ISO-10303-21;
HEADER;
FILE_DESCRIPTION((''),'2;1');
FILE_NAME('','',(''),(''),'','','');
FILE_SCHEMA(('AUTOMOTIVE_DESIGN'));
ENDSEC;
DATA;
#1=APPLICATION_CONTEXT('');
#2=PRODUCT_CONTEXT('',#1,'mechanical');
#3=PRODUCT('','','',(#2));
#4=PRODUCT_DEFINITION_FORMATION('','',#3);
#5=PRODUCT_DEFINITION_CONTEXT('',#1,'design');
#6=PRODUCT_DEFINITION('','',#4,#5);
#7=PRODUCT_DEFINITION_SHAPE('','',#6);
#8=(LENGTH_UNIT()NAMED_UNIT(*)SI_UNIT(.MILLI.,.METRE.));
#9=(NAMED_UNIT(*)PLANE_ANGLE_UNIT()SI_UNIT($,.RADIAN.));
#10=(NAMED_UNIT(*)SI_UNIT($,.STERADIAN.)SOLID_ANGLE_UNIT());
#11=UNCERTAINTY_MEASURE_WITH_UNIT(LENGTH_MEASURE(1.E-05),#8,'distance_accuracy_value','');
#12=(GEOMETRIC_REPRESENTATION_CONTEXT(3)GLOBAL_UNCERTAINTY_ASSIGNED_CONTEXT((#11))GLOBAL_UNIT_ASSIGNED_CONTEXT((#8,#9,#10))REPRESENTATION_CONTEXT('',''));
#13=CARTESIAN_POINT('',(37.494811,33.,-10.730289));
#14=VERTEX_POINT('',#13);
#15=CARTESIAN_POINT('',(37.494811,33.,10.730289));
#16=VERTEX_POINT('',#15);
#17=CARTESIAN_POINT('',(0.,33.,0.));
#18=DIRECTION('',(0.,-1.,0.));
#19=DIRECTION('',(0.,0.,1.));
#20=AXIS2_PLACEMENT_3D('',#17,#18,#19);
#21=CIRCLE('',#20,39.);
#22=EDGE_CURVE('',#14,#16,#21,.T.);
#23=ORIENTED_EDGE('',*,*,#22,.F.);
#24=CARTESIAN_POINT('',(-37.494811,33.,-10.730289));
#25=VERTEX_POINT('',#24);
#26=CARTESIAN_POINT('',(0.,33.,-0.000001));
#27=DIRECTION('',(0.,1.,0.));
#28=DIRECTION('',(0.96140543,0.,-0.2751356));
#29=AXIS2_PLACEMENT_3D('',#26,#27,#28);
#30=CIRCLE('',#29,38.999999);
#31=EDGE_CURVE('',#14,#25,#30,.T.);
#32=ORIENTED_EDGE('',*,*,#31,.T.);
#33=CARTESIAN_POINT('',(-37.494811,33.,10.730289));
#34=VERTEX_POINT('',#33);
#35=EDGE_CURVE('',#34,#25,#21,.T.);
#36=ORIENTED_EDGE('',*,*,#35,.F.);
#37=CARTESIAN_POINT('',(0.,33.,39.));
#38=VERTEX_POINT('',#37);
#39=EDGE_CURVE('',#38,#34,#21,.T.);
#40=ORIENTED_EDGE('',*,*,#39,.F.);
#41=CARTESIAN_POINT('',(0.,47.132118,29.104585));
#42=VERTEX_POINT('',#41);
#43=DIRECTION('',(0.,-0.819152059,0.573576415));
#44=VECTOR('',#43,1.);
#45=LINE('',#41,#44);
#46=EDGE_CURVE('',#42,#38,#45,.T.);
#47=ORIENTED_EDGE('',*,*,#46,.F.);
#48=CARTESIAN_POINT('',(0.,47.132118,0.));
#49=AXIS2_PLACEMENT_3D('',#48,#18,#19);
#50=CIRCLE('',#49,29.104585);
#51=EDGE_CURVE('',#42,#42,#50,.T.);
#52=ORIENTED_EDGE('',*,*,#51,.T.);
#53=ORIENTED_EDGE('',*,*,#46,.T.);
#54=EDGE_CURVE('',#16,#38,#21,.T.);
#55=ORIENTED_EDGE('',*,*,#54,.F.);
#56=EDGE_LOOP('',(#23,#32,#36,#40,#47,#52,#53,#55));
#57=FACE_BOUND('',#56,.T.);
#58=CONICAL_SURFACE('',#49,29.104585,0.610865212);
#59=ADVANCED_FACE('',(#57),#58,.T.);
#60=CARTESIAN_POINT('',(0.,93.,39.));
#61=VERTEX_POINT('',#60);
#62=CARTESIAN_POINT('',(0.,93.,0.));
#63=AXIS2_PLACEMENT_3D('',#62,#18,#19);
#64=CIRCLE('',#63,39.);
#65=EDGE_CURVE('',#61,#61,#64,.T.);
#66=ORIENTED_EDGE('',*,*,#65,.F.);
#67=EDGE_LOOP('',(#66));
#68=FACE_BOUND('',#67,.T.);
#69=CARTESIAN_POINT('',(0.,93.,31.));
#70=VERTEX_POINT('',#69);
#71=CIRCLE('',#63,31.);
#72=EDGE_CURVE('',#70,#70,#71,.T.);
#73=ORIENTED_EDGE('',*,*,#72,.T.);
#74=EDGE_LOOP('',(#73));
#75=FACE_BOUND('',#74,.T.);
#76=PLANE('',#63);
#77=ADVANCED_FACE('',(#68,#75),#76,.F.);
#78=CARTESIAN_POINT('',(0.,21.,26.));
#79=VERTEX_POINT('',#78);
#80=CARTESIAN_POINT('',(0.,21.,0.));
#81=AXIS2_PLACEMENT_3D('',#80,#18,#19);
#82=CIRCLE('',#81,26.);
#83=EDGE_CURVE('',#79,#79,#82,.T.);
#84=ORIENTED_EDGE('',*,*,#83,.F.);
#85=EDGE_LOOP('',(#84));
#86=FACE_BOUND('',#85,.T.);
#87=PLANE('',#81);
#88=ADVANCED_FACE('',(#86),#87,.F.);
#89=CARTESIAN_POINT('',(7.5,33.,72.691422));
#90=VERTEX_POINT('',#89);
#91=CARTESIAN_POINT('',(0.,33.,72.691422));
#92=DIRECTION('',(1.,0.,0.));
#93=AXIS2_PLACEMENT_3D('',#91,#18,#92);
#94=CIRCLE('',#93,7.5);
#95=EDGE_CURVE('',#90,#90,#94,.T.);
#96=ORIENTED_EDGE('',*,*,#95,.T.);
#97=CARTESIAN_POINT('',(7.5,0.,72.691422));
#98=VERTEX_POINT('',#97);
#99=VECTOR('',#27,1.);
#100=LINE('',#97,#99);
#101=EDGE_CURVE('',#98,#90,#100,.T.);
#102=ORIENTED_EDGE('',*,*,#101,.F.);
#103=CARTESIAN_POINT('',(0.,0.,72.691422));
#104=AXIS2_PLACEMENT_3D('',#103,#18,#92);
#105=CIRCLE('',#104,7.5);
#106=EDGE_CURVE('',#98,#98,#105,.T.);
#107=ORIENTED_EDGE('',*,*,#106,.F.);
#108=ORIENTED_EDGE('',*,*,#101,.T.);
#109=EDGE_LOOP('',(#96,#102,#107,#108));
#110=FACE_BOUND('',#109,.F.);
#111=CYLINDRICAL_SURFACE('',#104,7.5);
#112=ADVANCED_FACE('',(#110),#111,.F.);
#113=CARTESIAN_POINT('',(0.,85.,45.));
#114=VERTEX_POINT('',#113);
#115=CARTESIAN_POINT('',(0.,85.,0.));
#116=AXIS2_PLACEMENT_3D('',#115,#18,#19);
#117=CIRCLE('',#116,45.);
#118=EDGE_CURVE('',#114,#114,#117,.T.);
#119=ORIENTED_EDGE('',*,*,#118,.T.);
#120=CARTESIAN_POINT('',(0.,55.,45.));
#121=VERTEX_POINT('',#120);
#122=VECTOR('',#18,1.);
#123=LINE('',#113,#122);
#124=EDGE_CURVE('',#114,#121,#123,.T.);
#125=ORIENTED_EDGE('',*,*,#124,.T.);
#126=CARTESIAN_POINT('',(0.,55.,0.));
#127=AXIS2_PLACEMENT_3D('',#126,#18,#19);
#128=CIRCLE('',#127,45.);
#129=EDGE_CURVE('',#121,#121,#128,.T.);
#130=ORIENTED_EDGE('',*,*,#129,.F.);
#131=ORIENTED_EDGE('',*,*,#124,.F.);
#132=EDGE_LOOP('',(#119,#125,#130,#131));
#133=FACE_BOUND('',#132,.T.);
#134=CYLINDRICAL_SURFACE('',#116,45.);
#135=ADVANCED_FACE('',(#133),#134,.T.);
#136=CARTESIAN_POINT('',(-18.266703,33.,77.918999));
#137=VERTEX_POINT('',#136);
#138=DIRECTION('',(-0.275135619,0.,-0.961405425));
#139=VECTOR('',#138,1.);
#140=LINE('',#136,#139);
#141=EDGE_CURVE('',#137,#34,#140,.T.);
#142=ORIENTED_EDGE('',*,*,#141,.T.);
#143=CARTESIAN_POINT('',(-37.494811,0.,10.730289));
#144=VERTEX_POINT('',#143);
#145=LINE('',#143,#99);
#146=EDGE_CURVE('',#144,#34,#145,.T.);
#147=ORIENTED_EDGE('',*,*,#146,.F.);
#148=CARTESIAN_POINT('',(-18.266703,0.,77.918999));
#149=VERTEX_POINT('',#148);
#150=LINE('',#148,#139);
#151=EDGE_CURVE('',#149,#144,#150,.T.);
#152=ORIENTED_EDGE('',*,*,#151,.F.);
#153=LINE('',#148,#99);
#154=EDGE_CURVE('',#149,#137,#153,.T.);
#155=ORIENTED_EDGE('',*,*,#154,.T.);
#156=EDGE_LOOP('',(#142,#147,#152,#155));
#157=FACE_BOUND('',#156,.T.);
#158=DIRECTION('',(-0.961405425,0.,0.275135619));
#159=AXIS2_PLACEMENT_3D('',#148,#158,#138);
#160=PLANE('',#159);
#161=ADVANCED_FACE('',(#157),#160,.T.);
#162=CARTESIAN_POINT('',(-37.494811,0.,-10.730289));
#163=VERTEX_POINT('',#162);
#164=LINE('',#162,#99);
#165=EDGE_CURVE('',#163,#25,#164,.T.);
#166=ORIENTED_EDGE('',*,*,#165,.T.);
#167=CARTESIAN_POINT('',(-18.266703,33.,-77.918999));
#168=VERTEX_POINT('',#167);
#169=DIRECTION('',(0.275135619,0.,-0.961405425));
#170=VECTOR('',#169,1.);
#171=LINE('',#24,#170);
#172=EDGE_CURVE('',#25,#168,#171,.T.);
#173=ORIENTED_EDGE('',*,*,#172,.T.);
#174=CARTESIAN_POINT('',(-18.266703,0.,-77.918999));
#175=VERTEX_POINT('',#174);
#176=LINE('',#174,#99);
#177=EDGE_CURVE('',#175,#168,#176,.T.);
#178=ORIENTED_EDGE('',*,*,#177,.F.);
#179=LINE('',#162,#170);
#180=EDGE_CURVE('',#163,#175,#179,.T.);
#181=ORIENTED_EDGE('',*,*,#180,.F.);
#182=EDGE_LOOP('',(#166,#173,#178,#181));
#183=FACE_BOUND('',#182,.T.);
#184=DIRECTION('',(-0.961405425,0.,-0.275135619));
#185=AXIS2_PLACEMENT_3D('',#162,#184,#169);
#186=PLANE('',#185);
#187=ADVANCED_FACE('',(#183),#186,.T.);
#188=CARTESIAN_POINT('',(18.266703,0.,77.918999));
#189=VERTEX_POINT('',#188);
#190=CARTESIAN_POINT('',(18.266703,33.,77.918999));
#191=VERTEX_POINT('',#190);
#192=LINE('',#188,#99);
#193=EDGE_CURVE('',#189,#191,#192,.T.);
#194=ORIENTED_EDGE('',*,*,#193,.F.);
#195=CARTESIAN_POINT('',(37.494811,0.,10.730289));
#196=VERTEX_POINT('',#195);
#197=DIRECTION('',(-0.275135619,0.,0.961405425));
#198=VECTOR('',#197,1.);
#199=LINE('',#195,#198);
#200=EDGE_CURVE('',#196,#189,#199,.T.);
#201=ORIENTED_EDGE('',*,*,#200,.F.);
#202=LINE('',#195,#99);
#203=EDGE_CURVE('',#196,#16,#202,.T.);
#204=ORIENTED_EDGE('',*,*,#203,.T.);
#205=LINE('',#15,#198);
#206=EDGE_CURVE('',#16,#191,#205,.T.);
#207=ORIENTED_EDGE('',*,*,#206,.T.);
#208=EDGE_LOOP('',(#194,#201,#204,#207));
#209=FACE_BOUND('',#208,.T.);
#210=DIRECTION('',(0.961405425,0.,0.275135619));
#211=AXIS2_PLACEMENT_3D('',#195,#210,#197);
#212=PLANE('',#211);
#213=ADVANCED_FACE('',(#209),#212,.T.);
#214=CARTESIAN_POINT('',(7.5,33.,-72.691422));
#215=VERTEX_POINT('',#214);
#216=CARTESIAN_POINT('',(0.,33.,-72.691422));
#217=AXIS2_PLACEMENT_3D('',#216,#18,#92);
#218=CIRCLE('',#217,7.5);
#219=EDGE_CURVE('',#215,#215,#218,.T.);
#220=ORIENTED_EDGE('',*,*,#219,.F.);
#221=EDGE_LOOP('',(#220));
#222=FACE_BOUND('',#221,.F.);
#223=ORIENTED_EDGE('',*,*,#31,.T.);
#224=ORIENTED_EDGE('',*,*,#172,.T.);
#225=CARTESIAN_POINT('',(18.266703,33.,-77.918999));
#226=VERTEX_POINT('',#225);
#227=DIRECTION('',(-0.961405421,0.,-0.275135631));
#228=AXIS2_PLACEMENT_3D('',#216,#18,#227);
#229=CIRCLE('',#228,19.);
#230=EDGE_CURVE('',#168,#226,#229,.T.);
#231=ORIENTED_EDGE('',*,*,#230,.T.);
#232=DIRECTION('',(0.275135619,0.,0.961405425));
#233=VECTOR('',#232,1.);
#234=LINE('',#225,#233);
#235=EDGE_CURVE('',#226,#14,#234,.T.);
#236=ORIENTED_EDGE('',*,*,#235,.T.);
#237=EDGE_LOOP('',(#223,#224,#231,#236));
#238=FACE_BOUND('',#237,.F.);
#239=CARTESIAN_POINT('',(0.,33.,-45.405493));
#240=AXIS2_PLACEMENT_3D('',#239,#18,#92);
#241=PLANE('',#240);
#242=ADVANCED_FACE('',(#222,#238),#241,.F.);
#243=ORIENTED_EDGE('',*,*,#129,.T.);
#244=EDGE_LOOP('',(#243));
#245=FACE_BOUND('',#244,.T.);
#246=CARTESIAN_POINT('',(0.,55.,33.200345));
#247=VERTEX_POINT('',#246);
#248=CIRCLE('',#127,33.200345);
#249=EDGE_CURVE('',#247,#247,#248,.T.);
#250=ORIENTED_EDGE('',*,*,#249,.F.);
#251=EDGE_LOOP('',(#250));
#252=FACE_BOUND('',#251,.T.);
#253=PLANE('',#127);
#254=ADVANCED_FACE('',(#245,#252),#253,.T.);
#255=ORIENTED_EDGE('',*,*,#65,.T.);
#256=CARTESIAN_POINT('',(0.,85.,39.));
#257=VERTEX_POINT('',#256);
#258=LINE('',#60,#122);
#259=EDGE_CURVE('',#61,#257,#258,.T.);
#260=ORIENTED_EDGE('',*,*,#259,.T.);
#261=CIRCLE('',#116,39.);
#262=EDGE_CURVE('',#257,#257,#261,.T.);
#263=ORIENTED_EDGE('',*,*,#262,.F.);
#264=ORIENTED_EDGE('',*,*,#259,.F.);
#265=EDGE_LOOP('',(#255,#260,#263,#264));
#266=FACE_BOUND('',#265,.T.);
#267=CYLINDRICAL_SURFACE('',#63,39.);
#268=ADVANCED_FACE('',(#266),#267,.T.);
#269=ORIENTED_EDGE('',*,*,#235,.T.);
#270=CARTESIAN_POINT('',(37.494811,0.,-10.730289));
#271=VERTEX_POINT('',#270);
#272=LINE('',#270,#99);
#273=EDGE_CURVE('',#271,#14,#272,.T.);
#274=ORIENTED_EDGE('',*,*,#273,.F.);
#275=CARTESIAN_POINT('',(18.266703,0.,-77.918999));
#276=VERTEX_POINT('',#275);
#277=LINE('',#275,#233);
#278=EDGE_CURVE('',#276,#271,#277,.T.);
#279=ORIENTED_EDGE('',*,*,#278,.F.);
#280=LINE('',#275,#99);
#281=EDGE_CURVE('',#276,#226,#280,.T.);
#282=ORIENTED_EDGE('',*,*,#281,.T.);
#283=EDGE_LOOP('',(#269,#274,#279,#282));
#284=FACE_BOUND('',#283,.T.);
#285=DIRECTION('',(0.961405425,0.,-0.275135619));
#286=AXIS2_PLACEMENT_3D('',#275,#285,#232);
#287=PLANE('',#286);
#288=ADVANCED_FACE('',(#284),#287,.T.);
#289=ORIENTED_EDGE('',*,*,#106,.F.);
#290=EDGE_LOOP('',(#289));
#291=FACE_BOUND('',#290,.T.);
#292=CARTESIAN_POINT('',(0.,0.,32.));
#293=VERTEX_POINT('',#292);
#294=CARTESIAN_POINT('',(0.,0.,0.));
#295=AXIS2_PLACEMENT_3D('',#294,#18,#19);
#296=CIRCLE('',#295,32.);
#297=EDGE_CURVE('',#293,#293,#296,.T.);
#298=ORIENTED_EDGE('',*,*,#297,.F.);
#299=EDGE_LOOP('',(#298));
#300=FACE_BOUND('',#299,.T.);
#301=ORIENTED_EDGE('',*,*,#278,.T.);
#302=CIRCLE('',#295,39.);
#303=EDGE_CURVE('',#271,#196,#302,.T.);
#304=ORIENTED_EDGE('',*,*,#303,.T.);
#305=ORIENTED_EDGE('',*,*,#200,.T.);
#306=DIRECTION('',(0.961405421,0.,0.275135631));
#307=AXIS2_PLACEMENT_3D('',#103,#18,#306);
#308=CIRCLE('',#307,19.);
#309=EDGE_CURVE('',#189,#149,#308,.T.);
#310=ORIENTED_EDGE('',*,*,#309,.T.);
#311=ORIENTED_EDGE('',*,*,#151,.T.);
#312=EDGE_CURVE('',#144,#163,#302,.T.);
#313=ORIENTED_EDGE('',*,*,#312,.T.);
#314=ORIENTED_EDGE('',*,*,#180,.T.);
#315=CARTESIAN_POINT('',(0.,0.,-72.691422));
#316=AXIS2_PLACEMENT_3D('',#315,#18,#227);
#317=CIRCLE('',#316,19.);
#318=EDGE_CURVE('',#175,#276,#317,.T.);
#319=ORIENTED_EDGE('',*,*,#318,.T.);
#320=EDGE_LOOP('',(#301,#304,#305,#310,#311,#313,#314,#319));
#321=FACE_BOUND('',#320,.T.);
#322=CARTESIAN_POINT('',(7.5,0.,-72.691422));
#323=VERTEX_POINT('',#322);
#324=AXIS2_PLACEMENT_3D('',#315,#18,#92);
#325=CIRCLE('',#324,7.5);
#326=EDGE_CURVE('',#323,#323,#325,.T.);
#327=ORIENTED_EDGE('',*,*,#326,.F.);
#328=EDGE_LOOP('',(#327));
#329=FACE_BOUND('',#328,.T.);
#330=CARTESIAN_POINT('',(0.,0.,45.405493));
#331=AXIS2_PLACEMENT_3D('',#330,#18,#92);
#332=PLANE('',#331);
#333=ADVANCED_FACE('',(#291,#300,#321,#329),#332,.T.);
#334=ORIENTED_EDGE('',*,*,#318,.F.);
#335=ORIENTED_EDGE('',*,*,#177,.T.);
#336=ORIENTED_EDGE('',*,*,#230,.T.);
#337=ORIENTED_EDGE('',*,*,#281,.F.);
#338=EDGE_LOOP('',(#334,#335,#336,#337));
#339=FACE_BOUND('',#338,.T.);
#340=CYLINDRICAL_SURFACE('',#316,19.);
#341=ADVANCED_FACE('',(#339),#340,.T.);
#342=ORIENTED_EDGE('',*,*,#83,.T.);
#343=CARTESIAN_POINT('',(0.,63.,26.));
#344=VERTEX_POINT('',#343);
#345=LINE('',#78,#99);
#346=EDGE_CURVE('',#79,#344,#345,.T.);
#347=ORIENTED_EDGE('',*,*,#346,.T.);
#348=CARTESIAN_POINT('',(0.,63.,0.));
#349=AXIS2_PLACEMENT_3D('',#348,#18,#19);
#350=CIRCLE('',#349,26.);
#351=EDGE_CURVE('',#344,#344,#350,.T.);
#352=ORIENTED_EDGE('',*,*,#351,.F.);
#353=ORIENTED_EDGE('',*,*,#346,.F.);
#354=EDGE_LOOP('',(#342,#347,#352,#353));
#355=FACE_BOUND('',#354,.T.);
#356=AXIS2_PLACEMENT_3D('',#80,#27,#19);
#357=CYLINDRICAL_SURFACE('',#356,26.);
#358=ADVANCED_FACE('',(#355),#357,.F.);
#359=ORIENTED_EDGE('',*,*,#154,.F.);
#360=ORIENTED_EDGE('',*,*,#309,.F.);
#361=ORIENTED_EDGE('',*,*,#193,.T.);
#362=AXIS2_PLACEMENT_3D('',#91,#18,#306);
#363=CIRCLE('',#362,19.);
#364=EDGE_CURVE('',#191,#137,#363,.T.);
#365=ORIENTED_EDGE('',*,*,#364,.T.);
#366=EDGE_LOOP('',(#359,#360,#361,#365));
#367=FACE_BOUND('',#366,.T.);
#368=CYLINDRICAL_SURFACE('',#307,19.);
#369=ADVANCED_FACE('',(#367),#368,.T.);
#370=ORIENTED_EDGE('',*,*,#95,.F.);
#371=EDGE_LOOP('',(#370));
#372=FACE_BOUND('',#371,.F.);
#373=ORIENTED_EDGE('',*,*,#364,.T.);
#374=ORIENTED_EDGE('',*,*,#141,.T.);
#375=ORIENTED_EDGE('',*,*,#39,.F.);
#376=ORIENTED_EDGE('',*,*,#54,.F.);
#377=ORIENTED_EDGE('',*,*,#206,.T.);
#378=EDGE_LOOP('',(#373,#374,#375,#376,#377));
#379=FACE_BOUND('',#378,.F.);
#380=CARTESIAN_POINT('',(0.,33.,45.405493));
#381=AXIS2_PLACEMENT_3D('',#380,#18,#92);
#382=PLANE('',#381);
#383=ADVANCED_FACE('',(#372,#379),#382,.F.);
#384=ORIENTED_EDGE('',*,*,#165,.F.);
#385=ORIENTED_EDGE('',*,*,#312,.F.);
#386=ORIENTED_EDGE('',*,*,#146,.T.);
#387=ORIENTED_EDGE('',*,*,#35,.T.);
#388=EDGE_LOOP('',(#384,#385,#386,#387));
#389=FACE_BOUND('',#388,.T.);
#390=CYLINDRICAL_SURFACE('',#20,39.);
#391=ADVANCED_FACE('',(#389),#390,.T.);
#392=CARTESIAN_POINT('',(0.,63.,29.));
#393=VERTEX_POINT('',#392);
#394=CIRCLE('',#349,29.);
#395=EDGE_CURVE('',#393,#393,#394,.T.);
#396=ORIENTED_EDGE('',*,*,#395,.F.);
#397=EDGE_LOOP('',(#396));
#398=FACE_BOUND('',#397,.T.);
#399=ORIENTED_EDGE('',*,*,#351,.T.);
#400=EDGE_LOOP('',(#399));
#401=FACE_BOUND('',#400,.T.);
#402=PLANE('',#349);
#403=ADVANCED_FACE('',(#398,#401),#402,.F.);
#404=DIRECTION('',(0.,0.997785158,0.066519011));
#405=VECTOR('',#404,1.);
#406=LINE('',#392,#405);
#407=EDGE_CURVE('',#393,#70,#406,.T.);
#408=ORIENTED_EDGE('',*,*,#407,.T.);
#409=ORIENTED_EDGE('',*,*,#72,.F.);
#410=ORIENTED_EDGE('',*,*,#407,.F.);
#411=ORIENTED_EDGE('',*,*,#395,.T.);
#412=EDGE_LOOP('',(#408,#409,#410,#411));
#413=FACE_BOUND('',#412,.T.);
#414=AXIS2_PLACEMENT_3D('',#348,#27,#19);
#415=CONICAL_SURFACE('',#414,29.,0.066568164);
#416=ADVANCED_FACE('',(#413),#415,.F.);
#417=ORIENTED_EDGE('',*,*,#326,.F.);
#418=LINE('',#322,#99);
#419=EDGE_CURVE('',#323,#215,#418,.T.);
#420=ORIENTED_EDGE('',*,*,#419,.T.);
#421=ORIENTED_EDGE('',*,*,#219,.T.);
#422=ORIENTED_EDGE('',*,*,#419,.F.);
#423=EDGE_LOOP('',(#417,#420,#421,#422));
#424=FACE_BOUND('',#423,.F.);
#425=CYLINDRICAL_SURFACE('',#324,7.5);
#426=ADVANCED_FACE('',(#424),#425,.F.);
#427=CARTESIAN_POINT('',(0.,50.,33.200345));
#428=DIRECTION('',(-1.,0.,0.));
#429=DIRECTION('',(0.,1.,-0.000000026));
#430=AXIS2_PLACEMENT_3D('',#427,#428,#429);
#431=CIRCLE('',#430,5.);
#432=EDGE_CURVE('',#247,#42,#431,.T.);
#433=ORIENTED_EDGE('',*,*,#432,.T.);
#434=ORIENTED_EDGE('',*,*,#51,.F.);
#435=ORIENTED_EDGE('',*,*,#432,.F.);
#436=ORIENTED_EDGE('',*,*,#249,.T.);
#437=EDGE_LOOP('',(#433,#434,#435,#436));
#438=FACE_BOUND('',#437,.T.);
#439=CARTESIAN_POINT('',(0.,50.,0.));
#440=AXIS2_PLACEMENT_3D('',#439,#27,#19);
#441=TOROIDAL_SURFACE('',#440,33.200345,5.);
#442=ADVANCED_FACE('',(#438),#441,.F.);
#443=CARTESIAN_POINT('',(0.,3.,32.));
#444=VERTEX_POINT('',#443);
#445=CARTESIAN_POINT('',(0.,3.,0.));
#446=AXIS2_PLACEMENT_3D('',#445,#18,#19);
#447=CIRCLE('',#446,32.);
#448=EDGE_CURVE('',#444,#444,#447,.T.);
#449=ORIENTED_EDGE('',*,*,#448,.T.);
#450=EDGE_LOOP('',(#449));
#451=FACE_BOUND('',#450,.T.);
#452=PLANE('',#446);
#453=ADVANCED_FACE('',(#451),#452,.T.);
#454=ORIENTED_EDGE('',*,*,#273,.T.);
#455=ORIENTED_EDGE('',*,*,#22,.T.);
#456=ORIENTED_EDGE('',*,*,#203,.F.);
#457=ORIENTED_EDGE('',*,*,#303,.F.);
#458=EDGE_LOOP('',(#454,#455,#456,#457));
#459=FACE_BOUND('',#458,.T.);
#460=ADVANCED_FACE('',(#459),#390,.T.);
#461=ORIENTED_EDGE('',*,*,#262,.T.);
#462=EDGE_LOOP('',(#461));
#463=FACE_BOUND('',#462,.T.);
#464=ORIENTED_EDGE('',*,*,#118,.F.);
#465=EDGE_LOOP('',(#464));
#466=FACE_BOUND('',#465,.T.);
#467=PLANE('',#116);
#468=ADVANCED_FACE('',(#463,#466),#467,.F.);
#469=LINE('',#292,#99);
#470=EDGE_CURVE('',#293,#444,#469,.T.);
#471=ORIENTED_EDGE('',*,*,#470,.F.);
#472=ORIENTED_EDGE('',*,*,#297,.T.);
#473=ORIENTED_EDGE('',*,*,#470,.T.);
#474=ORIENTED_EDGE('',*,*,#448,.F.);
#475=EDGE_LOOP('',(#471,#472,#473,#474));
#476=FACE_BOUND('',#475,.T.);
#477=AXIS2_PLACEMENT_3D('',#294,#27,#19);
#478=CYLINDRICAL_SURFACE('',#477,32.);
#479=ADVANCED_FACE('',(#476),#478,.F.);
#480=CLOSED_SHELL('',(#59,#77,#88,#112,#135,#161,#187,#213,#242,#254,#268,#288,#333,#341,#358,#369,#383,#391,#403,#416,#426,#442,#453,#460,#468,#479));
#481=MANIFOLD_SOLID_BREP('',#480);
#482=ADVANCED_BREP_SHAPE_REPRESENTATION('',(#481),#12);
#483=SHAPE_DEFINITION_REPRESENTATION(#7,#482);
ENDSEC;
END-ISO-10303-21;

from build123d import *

# Parameters (mm, degrees)
F2_R     = 7.5
F3_DEPTH = 33


with BuildPart() as f1:
    # F0 (on Right) → F1 (revolve)
    with BuildSketch(Plane.YZ):
        with BuildLine():
            Line((3, 32), (3, 0))
            Line((3, 0), (21, 0))
            Line((21, 0), (21, 26))
            Line((21, 26), (63, 26))
            Line((63, 26), (63, 29))
            Line((63, 29), (93, 31))
            Line((93, 31), (93, 39))
            Line((93, 39), (85, 39))
            Line((85, 39), (85, 45))
            Line((85, 45), (55, 45))
            Line((55, 45), (55, 33.200345))
            ThreePointArc((55, 33.200345), (52.308743, 28.765291), (47.132118, 29.104585))
            Line((47.132118, 29.104585), (33, 39))
            Line((33, 39), (0, 39))
            Line((0, 39), (0, 32))
            Line((0, 32), (3, 32))
        make_face()
    revolve(axis=Axis((0, 12, 0), (0, -1, 0)))

    # F2 (on Front) → F3 (join)
    with BuildSketch(Plane.XZ):
        with BuildLine():
            Line((37.494811, 10.730289), (18.266703, 77.918999))
            ThreePointArc((18.266703, 77.918999), (0, 91.691422), (-18.266703, 77.918999))
            Line((-18.266703, 77.918999), (-37.494811, 10.730289))
            ThreePointArc((-37.494811, 10.730289), (0, 39), (37.494811, 10.730289))
        make_face()
        with Locations((0, 72.691422)):
            Circle(F2_R, mode=Mode.SUBTRACT)
        with BuildLine():
            ThreePointArc((37.494811, -10.730289), (0, -39), (-37.494811, -10.730289))
            Line((-37.494811, -10.730289), (-18.266703, -77.918999))
            ThreePointArc((-18.266703, -77.918999), (0, -91.691422), (18.266703, -77.918999))
            Line((18.266703, -77.918999), (37.494811, -10.730289))
        make_face()
        with Locations((0, -72.691422)):
            Circle(F2_R, mode=Mode.SUBTRACT)
    extrude(amount=-F3_DEPTH)


solid = f1.part
